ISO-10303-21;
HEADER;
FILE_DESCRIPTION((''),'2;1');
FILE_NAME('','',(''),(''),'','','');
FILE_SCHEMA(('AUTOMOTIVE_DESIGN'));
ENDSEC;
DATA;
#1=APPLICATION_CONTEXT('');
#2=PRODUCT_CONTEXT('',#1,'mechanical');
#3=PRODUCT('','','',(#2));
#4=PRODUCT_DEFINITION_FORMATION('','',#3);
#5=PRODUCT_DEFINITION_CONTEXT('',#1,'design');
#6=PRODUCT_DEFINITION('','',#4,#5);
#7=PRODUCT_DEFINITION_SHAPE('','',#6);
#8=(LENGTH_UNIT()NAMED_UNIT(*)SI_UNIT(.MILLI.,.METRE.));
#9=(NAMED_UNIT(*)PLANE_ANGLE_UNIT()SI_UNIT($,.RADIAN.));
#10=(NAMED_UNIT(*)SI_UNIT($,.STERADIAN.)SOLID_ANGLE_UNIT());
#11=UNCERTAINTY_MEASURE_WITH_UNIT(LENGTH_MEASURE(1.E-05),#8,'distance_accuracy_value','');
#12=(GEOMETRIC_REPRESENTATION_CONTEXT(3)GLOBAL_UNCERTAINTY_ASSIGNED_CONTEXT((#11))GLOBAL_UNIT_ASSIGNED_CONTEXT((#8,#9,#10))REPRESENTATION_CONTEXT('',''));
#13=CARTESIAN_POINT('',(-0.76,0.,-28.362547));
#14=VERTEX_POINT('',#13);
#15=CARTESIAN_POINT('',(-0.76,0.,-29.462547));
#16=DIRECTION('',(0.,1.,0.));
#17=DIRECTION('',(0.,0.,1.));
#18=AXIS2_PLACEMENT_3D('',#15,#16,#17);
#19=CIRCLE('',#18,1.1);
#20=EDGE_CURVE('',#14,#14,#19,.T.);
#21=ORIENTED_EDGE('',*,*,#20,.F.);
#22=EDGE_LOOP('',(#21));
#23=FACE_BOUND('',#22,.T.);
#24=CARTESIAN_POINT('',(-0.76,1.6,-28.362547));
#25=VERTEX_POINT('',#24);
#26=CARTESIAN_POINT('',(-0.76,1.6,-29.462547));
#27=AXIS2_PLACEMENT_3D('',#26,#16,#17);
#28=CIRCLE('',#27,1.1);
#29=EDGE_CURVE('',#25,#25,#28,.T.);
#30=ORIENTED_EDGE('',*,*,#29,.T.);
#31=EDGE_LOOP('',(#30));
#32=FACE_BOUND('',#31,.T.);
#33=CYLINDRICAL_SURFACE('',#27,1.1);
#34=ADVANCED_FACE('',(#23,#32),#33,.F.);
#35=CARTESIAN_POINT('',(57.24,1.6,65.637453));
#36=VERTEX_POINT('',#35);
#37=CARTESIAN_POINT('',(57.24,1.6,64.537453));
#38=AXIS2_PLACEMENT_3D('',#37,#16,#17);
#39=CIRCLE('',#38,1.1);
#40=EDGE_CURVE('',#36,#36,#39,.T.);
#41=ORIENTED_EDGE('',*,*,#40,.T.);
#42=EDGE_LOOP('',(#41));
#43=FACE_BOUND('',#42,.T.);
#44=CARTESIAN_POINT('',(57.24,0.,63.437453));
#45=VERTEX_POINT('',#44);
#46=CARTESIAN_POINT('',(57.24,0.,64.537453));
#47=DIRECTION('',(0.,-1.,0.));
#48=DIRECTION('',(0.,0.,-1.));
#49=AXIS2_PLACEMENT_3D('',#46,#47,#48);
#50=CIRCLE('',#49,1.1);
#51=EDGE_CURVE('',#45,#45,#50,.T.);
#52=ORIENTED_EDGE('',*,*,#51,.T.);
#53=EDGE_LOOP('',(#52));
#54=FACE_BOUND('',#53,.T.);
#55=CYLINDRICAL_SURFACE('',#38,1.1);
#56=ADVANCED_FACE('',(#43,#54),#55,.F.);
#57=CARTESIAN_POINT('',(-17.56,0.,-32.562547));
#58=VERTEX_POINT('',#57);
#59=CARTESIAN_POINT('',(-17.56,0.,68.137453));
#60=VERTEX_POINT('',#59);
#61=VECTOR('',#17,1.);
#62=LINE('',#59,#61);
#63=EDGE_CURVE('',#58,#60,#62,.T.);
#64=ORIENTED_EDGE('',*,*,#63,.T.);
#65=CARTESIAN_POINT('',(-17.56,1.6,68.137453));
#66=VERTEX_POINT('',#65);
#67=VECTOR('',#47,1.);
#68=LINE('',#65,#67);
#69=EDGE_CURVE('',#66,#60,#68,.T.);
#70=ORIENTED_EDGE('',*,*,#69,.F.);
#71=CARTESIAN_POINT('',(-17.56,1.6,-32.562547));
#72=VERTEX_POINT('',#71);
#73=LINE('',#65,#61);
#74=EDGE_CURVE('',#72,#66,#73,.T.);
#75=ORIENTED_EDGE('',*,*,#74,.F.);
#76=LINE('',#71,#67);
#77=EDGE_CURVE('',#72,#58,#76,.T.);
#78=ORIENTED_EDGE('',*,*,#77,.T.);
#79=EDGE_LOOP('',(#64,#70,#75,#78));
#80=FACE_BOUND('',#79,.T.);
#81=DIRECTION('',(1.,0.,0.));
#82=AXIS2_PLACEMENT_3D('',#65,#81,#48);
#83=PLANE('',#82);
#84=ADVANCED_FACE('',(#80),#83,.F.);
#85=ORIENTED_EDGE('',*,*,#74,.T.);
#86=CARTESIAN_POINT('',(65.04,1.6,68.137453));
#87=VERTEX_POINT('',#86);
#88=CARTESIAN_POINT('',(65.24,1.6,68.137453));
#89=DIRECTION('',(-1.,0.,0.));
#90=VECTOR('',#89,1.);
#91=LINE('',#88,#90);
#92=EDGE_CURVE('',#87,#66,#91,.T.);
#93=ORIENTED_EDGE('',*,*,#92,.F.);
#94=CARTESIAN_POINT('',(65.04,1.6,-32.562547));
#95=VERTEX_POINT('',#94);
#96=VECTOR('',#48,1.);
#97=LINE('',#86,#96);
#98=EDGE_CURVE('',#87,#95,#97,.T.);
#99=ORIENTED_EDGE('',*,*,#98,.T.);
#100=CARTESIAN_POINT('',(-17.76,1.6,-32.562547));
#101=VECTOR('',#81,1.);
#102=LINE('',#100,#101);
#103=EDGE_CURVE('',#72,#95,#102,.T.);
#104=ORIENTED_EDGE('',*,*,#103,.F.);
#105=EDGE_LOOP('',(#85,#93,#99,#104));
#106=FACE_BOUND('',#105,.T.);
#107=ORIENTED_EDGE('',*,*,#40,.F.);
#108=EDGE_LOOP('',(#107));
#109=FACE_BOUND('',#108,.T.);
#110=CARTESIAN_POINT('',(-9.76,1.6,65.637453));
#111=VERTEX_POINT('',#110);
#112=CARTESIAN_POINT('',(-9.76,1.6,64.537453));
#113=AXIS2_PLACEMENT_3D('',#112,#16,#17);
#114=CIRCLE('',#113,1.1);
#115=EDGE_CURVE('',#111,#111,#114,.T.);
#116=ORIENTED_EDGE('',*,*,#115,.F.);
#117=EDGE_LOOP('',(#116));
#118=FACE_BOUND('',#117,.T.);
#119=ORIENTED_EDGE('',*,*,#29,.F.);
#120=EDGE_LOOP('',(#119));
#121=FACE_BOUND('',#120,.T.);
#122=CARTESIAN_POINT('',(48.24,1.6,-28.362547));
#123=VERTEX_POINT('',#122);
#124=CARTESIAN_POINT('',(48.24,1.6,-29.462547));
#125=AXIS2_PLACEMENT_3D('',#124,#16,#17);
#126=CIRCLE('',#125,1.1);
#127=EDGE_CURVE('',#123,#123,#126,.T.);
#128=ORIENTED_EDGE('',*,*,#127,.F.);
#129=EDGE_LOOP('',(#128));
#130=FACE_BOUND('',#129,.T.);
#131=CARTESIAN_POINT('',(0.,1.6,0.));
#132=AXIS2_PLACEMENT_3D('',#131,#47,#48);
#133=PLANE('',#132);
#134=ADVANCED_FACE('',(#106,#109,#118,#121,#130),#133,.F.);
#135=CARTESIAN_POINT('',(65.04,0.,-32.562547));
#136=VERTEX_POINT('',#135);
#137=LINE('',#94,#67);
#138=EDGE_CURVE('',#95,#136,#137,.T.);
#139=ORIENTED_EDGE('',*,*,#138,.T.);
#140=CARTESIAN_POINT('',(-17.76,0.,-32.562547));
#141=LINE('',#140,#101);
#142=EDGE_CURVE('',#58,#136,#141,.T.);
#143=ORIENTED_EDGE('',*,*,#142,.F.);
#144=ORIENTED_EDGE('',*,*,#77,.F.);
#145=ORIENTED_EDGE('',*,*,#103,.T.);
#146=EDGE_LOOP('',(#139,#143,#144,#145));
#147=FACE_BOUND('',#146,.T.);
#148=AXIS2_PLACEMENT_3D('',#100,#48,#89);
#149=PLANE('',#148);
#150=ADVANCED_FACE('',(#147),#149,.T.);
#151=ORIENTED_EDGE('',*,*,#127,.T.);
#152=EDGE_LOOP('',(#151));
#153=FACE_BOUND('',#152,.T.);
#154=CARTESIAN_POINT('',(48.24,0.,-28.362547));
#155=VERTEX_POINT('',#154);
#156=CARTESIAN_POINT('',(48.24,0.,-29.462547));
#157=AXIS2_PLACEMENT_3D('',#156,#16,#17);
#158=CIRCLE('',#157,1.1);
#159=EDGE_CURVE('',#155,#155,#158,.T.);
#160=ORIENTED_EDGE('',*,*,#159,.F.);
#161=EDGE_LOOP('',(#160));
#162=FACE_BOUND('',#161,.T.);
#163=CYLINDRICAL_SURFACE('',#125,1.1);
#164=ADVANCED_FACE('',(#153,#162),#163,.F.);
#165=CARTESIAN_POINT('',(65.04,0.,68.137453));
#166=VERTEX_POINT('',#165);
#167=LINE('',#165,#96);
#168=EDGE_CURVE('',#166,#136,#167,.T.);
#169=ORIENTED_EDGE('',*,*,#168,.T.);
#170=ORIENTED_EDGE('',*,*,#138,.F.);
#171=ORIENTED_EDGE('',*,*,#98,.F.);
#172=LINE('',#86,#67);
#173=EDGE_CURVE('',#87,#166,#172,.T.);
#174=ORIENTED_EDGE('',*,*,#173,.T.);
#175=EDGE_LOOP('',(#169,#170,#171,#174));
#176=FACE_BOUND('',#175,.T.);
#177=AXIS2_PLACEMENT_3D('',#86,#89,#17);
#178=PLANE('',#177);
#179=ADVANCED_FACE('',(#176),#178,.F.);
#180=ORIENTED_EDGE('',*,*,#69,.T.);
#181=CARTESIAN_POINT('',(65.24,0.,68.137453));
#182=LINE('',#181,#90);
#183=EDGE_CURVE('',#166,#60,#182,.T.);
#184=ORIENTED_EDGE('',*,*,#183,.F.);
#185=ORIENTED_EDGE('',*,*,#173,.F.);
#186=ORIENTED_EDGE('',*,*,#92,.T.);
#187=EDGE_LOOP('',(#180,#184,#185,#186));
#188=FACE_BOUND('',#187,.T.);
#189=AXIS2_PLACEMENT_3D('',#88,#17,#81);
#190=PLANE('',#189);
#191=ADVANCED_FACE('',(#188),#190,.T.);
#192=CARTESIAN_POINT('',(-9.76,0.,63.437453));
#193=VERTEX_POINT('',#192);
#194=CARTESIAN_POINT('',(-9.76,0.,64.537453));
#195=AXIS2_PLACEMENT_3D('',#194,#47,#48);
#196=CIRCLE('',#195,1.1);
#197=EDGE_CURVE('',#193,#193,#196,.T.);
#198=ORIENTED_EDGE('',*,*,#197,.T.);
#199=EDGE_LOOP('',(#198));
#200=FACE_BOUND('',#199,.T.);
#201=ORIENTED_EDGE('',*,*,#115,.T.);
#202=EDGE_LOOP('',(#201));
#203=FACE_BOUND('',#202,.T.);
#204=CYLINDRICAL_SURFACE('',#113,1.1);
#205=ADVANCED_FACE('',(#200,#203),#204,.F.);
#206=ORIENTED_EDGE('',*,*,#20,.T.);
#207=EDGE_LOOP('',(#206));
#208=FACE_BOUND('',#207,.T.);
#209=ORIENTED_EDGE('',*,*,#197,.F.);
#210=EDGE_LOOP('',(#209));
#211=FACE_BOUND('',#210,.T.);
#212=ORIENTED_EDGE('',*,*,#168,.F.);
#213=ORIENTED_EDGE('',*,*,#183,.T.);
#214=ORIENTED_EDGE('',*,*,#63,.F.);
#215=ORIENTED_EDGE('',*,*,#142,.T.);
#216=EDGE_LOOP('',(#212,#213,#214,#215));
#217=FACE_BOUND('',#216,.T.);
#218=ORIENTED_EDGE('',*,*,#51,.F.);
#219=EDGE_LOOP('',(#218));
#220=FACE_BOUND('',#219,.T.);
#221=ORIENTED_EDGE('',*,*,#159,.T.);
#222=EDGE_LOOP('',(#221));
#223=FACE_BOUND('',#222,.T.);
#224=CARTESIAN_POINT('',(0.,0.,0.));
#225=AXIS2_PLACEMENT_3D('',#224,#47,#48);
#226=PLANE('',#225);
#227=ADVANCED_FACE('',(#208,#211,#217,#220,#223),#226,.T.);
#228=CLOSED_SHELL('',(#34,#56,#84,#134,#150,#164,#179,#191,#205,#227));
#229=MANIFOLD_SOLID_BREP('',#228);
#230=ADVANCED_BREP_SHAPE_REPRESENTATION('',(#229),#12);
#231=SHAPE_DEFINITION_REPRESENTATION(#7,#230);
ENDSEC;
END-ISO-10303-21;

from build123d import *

# Parameters (mm, degrees)
BOSS_EXTRUDE1_DEPTH            = 1.6
F_2_2_2_2_DIAMETER_HOLE2_D     = 2.2
F_2_2_2_2_DIAMETER_HOLE1_D     = 2.2
F_2_2_2_2_DIAMETER_HOLE1_DEPTH = 2
SKETCH7_W                      = 0.2
SKETCH7_H                      = 100.7
EXTRUDE1_DEPTH                 = 2.6


with BuildPart() as part:
    # Sketch1 → Boss-Extrude1 (new body)
    with BuildSketch(Plane(origin=(0, 0, 0), x_dir=(1, 0, 0), z_dir=(0, 1, 0))):
        Polygon((65.24, 10.562547362), (65.24, -54.937452638), (65.24, -68.137452638), (-17.76, -68.137452638), (-17.76, -46.137452638), (-17.76, 19.362547362), (-17.76, 32.562547362), (65.24, 32.562547362), align=None)
    extrude(amount=BOSS_EXTRUDE1_DEPTH)

    # Ø2.2 (2.2) Diameter Hole2 (through all)
    with Locations(Plane(origin=(0, 1.6, 0), x_dir=(1, 0, 0), z_dir=(0, 1, 0))):
        with Locations((-0.76, 29.462547362), (48.24, 29.462547362)):
            Hole(F_2_2_2_2_DIAMETER_HOLE2_D / 2)

    # Ø2.2 (2.2) Diameter Hole1
    with Locations(Plane(origin=(0, 1.6, 0), x_dir=(1, 0, 0), z_dir=(0, 1, 0))):
        with Locations((-9.76, -64.537452638), (57.24, -64.537452638)):
            Hole(F_2_2_2_2_DIAMETER_HOLE1_D / 2, depth=F_2_2_2_2_DIAMETER_HOLE1_DEPTH)

    # Sketch7 → Extrude1 (cut, through all)
    with BuildSketch(Plane.XZ):
        with Locations((-17.66, 17.787452638)):
            Rectangle(SKETCH7_W, SKETCH7_H)
        with Locations((65.14, 17.787452638)):
            Rectangle(SKETCH7_W, SKETCH7_H)
    extrude(amount=-EXTRUDE1_DEPTH, mode=Mode.SUBTRACT)


solid = part.part
